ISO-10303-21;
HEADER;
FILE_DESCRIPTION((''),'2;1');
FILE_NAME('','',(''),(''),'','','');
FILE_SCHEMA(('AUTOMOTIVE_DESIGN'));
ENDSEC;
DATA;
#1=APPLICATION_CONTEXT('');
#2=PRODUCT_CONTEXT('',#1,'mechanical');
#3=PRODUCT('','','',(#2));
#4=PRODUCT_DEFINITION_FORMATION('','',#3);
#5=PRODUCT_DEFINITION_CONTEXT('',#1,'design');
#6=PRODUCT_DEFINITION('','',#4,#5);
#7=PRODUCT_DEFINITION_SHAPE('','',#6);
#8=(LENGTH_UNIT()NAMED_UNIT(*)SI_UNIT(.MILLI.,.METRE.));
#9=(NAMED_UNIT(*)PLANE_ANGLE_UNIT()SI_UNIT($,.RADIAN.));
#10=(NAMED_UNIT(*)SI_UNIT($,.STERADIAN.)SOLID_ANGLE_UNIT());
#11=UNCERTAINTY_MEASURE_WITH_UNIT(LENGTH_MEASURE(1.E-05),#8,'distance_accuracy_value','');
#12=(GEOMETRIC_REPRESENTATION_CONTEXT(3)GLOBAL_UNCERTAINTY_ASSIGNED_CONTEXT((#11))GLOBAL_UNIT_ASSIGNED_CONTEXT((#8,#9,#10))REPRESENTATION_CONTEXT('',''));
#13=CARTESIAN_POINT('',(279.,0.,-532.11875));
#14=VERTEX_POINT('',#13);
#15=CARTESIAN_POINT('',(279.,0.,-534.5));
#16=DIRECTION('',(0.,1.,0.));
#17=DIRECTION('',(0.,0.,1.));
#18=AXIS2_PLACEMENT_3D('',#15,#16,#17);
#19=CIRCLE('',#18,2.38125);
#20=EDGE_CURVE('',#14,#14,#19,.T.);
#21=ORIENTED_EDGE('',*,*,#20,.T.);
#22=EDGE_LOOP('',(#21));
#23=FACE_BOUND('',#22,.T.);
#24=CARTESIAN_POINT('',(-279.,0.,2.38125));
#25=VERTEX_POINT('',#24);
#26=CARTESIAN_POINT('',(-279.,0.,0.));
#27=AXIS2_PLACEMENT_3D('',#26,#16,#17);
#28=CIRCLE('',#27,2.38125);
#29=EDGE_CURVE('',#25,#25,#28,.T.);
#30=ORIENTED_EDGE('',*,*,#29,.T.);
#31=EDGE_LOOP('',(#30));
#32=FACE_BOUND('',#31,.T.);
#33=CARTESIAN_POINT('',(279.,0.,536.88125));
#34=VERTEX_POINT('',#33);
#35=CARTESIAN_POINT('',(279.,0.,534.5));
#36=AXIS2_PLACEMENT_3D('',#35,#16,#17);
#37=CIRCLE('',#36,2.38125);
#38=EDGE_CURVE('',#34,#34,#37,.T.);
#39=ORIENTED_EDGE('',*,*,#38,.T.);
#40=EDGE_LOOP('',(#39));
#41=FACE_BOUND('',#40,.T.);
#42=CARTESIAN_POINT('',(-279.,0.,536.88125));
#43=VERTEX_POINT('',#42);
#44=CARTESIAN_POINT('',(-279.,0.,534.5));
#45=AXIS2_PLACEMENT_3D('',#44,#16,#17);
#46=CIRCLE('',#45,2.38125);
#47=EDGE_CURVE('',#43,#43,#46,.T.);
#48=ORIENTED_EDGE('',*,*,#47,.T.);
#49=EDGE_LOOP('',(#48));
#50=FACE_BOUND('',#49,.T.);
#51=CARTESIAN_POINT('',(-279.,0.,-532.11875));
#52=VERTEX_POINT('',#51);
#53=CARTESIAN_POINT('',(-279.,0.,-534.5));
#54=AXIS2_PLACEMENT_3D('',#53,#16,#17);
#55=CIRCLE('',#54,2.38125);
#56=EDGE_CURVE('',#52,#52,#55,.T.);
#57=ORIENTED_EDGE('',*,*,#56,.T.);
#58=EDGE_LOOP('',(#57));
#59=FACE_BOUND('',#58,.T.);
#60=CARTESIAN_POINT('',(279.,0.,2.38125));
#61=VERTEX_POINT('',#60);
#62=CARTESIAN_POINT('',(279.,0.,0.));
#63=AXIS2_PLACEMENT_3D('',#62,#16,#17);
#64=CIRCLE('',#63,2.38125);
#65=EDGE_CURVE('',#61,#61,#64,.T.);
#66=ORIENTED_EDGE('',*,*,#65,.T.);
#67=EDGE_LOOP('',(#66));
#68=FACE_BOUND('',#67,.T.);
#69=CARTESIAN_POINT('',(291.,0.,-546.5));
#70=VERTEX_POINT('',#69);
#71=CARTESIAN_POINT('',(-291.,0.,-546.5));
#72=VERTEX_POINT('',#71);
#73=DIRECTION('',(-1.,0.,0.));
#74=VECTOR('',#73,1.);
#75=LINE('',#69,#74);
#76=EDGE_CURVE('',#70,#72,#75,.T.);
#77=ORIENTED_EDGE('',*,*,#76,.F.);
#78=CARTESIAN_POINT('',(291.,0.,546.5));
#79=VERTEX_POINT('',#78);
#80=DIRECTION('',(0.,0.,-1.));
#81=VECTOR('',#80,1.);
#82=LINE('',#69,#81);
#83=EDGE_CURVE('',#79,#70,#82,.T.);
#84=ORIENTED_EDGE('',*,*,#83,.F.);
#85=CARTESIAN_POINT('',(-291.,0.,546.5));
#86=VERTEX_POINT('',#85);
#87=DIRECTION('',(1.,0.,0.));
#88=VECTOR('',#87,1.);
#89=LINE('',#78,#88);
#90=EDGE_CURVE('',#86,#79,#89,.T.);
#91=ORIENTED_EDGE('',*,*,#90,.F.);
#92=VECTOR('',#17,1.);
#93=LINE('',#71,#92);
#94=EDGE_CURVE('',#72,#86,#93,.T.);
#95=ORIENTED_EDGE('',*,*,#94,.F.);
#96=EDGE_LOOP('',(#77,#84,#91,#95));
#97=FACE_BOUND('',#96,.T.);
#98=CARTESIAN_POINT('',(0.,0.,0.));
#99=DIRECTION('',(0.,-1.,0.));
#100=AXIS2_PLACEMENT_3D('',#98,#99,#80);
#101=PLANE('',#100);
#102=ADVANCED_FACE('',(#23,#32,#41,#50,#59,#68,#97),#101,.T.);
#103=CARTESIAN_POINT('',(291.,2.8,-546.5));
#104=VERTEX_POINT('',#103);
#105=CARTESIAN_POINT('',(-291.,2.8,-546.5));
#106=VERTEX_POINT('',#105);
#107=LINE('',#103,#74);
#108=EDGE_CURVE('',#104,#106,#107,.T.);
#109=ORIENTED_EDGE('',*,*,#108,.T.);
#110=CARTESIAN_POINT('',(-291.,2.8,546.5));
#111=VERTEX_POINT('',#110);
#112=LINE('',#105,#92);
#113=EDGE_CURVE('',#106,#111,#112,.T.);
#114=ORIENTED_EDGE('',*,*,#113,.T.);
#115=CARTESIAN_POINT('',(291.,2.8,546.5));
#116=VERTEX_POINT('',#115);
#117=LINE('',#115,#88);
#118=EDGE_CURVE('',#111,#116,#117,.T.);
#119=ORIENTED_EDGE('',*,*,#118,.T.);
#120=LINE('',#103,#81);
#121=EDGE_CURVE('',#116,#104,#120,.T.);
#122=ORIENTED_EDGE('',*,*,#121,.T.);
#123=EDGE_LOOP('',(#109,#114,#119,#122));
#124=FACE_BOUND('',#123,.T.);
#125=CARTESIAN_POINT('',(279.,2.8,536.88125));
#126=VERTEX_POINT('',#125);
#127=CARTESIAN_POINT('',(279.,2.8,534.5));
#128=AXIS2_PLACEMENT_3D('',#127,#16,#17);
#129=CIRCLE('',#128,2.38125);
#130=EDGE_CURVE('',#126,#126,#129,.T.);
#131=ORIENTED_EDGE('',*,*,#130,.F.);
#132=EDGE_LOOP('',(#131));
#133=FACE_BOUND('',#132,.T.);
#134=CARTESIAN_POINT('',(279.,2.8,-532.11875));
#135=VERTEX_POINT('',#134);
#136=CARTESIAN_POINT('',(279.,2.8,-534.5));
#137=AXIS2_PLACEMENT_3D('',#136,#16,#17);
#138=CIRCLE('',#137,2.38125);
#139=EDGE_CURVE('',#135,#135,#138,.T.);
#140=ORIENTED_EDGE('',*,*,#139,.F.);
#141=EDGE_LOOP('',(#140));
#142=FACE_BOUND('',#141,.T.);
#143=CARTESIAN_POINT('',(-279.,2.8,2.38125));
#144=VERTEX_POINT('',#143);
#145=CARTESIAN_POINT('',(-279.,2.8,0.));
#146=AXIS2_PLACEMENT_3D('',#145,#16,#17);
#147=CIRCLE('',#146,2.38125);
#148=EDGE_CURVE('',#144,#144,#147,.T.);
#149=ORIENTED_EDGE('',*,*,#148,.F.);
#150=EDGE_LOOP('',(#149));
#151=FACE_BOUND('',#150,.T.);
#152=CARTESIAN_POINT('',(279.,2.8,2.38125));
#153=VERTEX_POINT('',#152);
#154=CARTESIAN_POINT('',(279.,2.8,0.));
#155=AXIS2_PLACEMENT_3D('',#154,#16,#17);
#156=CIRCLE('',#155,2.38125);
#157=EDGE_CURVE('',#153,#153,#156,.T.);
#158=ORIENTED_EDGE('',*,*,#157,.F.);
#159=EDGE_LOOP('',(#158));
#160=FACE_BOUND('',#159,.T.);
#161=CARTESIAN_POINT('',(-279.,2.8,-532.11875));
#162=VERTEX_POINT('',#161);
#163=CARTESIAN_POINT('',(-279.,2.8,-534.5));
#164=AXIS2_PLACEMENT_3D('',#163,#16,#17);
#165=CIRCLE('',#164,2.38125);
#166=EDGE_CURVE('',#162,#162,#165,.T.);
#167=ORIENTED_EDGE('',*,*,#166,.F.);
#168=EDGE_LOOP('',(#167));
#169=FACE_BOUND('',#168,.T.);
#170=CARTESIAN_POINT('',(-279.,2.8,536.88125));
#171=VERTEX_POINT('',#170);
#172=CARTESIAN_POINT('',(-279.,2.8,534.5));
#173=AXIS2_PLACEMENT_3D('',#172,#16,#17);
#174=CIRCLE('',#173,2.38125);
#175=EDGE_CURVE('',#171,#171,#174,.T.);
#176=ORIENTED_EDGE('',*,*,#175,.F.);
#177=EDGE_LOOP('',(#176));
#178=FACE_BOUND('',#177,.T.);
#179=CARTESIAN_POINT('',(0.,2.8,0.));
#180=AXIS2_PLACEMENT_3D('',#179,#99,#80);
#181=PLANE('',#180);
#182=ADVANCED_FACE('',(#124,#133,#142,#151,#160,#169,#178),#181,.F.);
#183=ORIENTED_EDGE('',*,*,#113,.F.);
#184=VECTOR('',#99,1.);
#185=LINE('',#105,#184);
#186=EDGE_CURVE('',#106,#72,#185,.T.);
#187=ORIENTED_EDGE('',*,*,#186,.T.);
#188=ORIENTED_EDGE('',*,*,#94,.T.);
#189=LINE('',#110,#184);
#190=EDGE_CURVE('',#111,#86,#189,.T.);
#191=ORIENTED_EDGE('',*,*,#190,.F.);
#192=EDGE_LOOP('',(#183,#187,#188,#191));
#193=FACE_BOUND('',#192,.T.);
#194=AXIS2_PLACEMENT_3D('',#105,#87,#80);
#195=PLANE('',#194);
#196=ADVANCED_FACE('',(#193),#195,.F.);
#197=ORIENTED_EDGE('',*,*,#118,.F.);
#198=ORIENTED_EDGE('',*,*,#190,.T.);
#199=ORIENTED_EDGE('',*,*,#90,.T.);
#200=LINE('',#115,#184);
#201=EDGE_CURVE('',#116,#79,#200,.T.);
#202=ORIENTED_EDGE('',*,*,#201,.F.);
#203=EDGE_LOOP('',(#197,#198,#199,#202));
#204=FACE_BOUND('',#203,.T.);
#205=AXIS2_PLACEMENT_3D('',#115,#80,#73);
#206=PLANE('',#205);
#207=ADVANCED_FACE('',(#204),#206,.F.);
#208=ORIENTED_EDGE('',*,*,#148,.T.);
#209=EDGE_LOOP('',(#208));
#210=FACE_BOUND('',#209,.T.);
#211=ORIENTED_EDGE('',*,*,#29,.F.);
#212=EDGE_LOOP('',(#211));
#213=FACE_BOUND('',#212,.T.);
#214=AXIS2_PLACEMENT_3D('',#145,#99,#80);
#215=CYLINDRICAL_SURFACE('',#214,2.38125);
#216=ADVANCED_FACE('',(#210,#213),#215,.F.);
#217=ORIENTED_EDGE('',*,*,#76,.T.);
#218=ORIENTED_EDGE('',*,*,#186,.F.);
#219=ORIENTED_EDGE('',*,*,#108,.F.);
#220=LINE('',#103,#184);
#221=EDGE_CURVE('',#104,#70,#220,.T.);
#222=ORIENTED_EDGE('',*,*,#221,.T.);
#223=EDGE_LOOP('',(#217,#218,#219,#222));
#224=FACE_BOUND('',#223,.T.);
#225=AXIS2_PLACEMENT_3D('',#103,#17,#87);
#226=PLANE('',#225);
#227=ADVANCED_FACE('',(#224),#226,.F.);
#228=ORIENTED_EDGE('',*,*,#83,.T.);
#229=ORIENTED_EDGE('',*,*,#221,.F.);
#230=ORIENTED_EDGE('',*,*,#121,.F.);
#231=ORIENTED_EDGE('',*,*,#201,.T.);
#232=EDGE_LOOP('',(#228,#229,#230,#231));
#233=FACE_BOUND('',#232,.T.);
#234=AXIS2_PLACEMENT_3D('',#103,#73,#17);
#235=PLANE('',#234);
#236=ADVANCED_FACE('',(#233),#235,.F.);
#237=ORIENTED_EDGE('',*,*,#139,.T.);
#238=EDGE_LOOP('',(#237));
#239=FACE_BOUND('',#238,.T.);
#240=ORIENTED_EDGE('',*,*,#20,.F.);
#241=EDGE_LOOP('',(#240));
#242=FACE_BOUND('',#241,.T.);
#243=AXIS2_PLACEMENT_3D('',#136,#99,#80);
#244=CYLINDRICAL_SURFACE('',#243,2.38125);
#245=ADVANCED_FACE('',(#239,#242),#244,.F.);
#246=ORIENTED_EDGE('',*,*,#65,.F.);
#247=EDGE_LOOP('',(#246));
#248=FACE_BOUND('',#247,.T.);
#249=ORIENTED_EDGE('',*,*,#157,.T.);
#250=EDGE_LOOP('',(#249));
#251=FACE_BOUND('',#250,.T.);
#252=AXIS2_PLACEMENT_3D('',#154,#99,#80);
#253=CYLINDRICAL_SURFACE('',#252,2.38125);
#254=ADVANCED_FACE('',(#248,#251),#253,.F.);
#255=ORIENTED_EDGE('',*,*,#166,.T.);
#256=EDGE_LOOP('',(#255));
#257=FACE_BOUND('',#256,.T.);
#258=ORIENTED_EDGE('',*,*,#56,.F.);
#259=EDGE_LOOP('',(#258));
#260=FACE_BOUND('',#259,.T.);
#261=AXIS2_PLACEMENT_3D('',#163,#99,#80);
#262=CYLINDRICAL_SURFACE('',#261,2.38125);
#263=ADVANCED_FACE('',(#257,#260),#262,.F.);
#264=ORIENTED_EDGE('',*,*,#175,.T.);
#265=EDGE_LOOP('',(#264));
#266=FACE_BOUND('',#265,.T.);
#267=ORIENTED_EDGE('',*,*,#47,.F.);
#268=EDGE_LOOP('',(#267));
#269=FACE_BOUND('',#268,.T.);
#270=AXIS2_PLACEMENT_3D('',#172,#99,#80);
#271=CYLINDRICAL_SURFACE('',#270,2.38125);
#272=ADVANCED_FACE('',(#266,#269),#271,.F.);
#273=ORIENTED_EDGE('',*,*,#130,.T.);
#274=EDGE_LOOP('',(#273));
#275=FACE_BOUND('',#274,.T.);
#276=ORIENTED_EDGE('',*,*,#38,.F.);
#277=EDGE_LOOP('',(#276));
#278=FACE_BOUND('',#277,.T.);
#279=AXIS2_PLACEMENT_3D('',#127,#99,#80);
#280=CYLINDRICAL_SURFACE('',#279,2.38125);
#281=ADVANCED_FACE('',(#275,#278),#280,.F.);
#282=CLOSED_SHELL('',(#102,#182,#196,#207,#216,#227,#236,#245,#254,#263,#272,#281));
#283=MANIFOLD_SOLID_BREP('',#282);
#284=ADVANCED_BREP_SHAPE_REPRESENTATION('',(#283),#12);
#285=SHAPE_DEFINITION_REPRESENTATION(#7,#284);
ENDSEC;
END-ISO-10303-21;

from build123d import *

# Parameters (mm, degrees)
SKETCH1_W           = 582
SKETCH1_H           = 1093
SKETCH1_R           = 2.38125
BOSS_EXTRUDE1_DEPTH = 2.8


with BuildPart() as part:
    # Sketch1 → Boss-Extrude1 (new body)
    with BuildSketch(Plane(origin=(0, 0, 0), x_dir=(1, 0, 0), z_dir=(0, 1, 0))):
        Rectangle(SKETCH1_W, SKETCH1_H)
        with Locations(Location((279, 534.5, 0), (0, 0, 270))):
            Circle(SKETCH1_R, mode=Mode.SUBTRACT)
        with Locations(Location((-279, 534.5, 0), (0, 0, 270))):
            Circle(SKETCH1_R, mode=Mode.SUBTRACT)
        with Locations(Location((-279, 0, 0), (0, 0, 270))):
            Circle(SKETCH1_R, mode=Mode.SUBTRACT)
        with Locations(Location((279, 0, 0), (0, 0, 270))):
            Circle(SKETCH1_R, mode=Mode.SUBTRACT)
        with Locations(Location((-279, -534.5, 0), (0, 0, 270))):
            Circle(SKETCH1_R, mode=Mode.SUBTRACT)
        with Locations(Location((279, -534.5, 0), (0, 0, 270))):
            Circle(SKETCH1_R, mode=Mode.SUBTRACT)
    extrude(amount=BOSS_EXTRUDE1_DEPTH)


solid = part.part
